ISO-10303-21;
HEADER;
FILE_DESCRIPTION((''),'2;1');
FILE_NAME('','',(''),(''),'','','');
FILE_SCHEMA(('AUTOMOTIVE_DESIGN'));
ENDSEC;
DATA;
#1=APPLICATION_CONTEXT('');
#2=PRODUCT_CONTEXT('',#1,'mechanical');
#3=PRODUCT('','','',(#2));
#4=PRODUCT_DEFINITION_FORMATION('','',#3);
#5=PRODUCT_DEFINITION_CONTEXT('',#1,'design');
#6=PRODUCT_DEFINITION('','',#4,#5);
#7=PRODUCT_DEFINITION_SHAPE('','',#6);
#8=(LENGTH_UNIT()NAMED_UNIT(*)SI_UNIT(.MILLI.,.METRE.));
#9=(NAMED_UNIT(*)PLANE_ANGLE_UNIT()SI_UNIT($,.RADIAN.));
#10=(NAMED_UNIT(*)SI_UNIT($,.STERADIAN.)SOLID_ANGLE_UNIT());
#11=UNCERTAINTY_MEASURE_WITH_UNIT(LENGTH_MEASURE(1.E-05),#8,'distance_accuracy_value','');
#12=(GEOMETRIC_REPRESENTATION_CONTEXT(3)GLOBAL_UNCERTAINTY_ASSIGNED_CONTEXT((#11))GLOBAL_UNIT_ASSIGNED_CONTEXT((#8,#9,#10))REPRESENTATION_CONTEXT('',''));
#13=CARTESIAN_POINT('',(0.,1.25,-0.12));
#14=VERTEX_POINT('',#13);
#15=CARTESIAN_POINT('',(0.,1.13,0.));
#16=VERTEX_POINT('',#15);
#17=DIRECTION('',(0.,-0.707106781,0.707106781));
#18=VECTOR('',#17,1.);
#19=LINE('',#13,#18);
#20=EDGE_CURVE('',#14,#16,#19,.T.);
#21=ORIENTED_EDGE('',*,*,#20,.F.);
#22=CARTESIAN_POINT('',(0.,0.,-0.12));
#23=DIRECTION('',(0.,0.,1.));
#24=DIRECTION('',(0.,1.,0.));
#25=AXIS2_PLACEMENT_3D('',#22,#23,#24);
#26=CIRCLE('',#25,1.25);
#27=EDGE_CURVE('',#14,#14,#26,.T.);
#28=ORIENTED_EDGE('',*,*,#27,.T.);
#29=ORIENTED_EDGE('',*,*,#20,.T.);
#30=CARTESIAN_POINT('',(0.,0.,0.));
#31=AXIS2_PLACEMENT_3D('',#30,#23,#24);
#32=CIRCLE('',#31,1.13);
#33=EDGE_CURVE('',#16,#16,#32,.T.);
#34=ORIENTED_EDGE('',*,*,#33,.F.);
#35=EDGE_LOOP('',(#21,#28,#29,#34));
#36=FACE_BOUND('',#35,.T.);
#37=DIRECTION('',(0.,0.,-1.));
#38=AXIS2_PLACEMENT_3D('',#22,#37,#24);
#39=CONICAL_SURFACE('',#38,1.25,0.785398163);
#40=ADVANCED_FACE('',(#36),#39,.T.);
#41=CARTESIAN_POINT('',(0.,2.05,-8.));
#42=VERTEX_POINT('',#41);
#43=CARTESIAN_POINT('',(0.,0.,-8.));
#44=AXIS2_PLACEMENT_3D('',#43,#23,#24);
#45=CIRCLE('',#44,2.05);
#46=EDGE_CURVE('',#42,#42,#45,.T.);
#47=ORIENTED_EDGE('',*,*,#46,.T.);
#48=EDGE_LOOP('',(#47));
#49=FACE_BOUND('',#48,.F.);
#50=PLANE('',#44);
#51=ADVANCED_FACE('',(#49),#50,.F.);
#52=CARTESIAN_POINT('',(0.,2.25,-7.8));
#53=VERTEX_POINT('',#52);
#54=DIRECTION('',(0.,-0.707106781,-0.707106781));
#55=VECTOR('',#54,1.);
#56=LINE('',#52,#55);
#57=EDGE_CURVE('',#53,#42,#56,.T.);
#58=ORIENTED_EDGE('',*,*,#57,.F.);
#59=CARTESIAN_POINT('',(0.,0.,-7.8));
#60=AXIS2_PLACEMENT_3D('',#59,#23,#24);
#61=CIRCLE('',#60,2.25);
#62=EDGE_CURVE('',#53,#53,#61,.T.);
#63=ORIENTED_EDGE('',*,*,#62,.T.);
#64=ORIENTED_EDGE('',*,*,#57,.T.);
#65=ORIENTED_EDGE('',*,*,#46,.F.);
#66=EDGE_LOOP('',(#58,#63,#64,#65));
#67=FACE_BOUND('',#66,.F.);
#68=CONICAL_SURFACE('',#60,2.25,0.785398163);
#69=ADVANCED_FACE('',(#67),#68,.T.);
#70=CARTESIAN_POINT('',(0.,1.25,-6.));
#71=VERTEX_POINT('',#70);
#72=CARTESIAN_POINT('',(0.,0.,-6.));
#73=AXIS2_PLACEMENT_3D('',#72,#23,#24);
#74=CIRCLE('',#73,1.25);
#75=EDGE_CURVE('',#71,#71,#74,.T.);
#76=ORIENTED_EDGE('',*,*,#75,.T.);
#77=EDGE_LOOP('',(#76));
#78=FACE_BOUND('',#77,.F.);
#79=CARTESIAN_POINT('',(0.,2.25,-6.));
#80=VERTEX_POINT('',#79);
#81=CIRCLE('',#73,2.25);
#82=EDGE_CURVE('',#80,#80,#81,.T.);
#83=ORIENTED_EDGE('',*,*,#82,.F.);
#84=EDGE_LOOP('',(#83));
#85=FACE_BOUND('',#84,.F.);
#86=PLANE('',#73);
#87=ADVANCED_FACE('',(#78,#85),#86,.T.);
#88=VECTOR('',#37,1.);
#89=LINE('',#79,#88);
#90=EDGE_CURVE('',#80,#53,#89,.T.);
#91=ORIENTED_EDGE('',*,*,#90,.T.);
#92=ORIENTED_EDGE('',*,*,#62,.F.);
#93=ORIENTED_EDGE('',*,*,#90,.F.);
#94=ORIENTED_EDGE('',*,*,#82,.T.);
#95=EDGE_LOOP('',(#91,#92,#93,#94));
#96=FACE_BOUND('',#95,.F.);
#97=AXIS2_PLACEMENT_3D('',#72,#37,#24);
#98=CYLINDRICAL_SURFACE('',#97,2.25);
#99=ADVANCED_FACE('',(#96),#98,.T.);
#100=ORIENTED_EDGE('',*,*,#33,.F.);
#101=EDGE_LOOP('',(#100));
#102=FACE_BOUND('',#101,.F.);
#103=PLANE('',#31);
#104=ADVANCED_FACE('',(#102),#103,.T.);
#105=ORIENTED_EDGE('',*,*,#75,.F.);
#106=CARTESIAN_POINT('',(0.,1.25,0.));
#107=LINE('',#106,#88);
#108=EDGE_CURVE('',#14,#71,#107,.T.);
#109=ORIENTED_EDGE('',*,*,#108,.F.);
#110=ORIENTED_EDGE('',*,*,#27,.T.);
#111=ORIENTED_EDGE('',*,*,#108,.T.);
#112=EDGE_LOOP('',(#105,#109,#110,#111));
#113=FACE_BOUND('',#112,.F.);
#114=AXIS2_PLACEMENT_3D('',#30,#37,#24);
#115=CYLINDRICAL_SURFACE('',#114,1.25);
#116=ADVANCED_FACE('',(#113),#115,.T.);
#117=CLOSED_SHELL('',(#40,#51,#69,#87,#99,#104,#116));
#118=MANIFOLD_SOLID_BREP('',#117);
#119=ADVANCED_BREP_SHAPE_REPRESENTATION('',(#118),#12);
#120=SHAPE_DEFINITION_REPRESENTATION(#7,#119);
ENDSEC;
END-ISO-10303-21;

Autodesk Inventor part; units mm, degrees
ref_plane "YZ Plane" through (0, 0, 0) normal (1, 0, 0) x (0, 1, 0)
ref_plane "XZ Plane" through (0, 0, 0) normal (0, 1, 0) x (-1, 0, 0)
ref_plane "XY Plane" through (0, 0, 0) normal (0, 0, 1) x (1, 0, 0)
sketch "スケッチ1" plane through (0, 0, 0) normal (1, 0, 0) x (0, 1, 0)
  line L0 (0, 0) -> (1.25, 0)
  line L1 (1.25, 0) -> (1.25, -6)
  line L2 (1.25, -6) -> (0, -6)
  line L3 (0, -6) -> (0, 0)
  line L4 (0, -6) -> (2.25, -6)
  line L5 (2.25, -6) -> (2.25, -8)
  line L6 (2.25, -8) -> (0, -8)
  line L7 (0, -8) -> (0, -6)
  line L8 (2.25, -7.8) -> (2.05, -8)
  line L9 (1.25, -0.12) -> (1.13, 0)
  point P0 (2.25, -7)
  dimension "d0" = 45
  dimension "d1" = 2.25
  dimension "d2" = 2
  dimension "d3" = 6
  dimension "d7" = 1.25
  dimension "d10" = 45
  dimension "d11" = 0.2
  dimension "d12" = 0.12
revolve "回転1" add sketch "スケッチ1" angle 360 about axis through (0, 0, -6) along (0, 0, 1) contours L0 L9 L1 L2 L3 | L2 L4 L5 L8 L6 L7
thread "ねじ2" size "M2.5x0.45" class "6g" standard "ANSI Metric M Profile" length 30
properties part number "CSH-316L-M2-5" material "ステンレス鋼"
